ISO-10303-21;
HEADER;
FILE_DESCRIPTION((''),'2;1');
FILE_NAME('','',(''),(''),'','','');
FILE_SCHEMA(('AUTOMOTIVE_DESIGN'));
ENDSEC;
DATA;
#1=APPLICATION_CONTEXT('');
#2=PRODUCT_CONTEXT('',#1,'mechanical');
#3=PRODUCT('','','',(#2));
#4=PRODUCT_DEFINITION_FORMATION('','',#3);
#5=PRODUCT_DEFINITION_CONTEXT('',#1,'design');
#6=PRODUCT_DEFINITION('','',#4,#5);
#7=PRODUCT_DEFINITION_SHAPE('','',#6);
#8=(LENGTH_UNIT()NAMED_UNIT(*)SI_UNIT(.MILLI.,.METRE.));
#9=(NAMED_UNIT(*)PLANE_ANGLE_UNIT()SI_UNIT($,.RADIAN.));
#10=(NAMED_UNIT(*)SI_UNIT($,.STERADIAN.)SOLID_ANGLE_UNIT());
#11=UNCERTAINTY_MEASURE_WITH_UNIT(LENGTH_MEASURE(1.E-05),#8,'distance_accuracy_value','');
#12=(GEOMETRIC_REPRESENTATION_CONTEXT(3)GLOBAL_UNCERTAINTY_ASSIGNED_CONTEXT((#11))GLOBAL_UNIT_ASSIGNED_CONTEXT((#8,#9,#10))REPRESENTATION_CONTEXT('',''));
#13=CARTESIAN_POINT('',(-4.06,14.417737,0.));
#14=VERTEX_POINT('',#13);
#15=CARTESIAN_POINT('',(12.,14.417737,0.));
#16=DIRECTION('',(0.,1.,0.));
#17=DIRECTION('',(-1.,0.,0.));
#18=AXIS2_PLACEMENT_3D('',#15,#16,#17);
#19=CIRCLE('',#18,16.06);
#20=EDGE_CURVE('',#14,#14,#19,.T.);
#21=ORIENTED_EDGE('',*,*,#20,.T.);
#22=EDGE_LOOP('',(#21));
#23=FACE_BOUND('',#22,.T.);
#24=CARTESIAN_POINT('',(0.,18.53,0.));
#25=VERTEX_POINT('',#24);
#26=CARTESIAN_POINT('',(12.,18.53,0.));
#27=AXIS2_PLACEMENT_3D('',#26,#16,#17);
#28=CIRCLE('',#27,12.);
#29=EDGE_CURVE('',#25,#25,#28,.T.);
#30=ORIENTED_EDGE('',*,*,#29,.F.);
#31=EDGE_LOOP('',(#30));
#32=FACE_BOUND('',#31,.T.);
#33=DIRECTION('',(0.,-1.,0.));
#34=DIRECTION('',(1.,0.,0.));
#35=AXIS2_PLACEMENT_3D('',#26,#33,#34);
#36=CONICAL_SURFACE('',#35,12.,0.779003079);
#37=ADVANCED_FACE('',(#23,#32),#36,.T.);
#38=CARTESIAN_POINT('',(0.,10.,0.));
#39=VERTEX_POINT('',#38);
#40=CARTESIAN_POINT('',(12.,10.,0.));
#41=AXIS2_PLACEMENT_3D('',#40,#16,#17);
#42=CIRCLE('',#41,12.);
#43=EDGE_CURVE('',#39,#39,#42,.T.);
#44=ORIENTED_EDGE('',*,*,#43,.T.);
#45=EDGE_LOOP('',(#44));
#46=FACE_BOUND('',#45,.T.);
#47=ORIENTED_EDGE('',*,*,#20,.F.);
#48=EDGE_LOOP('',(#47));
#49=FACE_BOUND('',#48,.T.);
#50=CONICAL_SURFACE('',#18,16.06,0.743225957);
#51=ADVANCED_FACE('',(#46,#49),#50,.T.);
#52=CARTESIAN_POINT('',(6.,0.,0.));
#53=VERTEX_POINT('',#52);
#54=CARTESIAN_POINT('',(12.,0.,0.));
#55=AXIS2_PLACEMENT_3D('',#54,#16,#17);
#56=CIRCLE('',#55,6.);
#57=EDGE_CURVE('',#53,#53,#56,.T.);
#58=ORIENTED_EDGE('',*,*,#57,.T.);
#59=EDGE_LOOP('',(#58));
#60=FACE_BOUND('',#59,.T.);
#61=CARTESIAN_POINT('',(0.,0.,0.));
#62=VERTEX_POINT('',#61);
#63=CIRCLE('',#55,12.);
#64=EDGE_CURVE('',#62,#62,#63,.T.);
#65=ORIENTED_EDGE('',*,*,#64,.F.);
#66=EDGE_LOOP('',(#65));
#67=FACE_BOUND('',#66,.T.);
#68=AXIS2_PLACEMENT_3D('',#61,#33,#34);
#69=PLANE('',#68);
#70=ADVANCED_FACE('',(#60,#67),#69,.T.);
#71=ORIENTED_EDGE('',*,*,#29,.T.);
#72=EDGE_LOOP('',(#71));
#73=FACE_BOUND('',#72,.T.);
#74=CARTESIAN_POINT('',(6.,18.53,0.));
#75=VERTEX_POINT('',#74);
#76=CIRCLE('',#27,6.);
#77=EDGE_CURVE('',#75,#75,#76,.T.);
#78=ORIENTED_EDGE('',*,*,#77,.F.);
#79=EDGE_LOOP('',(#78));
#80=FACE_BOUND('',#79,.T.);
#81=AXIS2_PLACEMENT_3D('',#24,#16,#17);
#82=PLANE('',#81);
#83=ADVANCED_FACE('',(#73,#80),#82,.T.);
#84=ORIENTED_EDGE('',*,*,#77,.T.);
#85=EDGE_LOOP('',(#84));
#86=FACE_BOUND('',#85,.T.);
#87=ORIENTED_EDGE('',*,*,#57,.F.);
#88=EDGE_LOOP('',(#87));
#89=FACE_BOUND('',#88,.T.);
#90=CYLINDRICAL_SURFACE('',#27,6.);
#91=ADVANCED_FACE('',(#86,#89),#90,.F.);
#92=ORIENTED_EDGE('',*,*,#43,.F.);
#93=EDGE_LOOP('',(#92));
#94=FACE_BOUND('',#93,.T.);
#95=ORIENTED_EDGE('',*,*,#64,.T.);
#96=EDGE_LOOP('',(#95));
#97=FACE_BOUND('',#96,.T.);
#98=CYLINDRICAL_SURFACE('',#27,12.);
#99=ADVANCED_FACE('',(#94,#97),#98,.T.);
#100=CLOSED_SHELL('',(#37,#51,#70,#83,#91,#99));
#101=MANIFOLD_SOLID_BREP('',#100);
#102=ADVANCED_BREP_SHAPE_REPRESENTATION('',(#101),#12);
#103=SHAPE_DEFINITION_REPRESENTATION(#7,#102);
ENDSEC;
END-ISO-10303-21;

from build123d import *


with BuildPart() as part:
    # Sketch3 → Revolve1 (revolve)
    with BuildSketch(Plane.XY):
        Polygon((0, 0), (6, 0), (6, 18.53), (0, 18.53), (-4.06, 14.417736977), (0, 10), align=None)
    revolve(axis=Axis((12, 18.53, 0), (0, -1, 0)))


solid = part.part
